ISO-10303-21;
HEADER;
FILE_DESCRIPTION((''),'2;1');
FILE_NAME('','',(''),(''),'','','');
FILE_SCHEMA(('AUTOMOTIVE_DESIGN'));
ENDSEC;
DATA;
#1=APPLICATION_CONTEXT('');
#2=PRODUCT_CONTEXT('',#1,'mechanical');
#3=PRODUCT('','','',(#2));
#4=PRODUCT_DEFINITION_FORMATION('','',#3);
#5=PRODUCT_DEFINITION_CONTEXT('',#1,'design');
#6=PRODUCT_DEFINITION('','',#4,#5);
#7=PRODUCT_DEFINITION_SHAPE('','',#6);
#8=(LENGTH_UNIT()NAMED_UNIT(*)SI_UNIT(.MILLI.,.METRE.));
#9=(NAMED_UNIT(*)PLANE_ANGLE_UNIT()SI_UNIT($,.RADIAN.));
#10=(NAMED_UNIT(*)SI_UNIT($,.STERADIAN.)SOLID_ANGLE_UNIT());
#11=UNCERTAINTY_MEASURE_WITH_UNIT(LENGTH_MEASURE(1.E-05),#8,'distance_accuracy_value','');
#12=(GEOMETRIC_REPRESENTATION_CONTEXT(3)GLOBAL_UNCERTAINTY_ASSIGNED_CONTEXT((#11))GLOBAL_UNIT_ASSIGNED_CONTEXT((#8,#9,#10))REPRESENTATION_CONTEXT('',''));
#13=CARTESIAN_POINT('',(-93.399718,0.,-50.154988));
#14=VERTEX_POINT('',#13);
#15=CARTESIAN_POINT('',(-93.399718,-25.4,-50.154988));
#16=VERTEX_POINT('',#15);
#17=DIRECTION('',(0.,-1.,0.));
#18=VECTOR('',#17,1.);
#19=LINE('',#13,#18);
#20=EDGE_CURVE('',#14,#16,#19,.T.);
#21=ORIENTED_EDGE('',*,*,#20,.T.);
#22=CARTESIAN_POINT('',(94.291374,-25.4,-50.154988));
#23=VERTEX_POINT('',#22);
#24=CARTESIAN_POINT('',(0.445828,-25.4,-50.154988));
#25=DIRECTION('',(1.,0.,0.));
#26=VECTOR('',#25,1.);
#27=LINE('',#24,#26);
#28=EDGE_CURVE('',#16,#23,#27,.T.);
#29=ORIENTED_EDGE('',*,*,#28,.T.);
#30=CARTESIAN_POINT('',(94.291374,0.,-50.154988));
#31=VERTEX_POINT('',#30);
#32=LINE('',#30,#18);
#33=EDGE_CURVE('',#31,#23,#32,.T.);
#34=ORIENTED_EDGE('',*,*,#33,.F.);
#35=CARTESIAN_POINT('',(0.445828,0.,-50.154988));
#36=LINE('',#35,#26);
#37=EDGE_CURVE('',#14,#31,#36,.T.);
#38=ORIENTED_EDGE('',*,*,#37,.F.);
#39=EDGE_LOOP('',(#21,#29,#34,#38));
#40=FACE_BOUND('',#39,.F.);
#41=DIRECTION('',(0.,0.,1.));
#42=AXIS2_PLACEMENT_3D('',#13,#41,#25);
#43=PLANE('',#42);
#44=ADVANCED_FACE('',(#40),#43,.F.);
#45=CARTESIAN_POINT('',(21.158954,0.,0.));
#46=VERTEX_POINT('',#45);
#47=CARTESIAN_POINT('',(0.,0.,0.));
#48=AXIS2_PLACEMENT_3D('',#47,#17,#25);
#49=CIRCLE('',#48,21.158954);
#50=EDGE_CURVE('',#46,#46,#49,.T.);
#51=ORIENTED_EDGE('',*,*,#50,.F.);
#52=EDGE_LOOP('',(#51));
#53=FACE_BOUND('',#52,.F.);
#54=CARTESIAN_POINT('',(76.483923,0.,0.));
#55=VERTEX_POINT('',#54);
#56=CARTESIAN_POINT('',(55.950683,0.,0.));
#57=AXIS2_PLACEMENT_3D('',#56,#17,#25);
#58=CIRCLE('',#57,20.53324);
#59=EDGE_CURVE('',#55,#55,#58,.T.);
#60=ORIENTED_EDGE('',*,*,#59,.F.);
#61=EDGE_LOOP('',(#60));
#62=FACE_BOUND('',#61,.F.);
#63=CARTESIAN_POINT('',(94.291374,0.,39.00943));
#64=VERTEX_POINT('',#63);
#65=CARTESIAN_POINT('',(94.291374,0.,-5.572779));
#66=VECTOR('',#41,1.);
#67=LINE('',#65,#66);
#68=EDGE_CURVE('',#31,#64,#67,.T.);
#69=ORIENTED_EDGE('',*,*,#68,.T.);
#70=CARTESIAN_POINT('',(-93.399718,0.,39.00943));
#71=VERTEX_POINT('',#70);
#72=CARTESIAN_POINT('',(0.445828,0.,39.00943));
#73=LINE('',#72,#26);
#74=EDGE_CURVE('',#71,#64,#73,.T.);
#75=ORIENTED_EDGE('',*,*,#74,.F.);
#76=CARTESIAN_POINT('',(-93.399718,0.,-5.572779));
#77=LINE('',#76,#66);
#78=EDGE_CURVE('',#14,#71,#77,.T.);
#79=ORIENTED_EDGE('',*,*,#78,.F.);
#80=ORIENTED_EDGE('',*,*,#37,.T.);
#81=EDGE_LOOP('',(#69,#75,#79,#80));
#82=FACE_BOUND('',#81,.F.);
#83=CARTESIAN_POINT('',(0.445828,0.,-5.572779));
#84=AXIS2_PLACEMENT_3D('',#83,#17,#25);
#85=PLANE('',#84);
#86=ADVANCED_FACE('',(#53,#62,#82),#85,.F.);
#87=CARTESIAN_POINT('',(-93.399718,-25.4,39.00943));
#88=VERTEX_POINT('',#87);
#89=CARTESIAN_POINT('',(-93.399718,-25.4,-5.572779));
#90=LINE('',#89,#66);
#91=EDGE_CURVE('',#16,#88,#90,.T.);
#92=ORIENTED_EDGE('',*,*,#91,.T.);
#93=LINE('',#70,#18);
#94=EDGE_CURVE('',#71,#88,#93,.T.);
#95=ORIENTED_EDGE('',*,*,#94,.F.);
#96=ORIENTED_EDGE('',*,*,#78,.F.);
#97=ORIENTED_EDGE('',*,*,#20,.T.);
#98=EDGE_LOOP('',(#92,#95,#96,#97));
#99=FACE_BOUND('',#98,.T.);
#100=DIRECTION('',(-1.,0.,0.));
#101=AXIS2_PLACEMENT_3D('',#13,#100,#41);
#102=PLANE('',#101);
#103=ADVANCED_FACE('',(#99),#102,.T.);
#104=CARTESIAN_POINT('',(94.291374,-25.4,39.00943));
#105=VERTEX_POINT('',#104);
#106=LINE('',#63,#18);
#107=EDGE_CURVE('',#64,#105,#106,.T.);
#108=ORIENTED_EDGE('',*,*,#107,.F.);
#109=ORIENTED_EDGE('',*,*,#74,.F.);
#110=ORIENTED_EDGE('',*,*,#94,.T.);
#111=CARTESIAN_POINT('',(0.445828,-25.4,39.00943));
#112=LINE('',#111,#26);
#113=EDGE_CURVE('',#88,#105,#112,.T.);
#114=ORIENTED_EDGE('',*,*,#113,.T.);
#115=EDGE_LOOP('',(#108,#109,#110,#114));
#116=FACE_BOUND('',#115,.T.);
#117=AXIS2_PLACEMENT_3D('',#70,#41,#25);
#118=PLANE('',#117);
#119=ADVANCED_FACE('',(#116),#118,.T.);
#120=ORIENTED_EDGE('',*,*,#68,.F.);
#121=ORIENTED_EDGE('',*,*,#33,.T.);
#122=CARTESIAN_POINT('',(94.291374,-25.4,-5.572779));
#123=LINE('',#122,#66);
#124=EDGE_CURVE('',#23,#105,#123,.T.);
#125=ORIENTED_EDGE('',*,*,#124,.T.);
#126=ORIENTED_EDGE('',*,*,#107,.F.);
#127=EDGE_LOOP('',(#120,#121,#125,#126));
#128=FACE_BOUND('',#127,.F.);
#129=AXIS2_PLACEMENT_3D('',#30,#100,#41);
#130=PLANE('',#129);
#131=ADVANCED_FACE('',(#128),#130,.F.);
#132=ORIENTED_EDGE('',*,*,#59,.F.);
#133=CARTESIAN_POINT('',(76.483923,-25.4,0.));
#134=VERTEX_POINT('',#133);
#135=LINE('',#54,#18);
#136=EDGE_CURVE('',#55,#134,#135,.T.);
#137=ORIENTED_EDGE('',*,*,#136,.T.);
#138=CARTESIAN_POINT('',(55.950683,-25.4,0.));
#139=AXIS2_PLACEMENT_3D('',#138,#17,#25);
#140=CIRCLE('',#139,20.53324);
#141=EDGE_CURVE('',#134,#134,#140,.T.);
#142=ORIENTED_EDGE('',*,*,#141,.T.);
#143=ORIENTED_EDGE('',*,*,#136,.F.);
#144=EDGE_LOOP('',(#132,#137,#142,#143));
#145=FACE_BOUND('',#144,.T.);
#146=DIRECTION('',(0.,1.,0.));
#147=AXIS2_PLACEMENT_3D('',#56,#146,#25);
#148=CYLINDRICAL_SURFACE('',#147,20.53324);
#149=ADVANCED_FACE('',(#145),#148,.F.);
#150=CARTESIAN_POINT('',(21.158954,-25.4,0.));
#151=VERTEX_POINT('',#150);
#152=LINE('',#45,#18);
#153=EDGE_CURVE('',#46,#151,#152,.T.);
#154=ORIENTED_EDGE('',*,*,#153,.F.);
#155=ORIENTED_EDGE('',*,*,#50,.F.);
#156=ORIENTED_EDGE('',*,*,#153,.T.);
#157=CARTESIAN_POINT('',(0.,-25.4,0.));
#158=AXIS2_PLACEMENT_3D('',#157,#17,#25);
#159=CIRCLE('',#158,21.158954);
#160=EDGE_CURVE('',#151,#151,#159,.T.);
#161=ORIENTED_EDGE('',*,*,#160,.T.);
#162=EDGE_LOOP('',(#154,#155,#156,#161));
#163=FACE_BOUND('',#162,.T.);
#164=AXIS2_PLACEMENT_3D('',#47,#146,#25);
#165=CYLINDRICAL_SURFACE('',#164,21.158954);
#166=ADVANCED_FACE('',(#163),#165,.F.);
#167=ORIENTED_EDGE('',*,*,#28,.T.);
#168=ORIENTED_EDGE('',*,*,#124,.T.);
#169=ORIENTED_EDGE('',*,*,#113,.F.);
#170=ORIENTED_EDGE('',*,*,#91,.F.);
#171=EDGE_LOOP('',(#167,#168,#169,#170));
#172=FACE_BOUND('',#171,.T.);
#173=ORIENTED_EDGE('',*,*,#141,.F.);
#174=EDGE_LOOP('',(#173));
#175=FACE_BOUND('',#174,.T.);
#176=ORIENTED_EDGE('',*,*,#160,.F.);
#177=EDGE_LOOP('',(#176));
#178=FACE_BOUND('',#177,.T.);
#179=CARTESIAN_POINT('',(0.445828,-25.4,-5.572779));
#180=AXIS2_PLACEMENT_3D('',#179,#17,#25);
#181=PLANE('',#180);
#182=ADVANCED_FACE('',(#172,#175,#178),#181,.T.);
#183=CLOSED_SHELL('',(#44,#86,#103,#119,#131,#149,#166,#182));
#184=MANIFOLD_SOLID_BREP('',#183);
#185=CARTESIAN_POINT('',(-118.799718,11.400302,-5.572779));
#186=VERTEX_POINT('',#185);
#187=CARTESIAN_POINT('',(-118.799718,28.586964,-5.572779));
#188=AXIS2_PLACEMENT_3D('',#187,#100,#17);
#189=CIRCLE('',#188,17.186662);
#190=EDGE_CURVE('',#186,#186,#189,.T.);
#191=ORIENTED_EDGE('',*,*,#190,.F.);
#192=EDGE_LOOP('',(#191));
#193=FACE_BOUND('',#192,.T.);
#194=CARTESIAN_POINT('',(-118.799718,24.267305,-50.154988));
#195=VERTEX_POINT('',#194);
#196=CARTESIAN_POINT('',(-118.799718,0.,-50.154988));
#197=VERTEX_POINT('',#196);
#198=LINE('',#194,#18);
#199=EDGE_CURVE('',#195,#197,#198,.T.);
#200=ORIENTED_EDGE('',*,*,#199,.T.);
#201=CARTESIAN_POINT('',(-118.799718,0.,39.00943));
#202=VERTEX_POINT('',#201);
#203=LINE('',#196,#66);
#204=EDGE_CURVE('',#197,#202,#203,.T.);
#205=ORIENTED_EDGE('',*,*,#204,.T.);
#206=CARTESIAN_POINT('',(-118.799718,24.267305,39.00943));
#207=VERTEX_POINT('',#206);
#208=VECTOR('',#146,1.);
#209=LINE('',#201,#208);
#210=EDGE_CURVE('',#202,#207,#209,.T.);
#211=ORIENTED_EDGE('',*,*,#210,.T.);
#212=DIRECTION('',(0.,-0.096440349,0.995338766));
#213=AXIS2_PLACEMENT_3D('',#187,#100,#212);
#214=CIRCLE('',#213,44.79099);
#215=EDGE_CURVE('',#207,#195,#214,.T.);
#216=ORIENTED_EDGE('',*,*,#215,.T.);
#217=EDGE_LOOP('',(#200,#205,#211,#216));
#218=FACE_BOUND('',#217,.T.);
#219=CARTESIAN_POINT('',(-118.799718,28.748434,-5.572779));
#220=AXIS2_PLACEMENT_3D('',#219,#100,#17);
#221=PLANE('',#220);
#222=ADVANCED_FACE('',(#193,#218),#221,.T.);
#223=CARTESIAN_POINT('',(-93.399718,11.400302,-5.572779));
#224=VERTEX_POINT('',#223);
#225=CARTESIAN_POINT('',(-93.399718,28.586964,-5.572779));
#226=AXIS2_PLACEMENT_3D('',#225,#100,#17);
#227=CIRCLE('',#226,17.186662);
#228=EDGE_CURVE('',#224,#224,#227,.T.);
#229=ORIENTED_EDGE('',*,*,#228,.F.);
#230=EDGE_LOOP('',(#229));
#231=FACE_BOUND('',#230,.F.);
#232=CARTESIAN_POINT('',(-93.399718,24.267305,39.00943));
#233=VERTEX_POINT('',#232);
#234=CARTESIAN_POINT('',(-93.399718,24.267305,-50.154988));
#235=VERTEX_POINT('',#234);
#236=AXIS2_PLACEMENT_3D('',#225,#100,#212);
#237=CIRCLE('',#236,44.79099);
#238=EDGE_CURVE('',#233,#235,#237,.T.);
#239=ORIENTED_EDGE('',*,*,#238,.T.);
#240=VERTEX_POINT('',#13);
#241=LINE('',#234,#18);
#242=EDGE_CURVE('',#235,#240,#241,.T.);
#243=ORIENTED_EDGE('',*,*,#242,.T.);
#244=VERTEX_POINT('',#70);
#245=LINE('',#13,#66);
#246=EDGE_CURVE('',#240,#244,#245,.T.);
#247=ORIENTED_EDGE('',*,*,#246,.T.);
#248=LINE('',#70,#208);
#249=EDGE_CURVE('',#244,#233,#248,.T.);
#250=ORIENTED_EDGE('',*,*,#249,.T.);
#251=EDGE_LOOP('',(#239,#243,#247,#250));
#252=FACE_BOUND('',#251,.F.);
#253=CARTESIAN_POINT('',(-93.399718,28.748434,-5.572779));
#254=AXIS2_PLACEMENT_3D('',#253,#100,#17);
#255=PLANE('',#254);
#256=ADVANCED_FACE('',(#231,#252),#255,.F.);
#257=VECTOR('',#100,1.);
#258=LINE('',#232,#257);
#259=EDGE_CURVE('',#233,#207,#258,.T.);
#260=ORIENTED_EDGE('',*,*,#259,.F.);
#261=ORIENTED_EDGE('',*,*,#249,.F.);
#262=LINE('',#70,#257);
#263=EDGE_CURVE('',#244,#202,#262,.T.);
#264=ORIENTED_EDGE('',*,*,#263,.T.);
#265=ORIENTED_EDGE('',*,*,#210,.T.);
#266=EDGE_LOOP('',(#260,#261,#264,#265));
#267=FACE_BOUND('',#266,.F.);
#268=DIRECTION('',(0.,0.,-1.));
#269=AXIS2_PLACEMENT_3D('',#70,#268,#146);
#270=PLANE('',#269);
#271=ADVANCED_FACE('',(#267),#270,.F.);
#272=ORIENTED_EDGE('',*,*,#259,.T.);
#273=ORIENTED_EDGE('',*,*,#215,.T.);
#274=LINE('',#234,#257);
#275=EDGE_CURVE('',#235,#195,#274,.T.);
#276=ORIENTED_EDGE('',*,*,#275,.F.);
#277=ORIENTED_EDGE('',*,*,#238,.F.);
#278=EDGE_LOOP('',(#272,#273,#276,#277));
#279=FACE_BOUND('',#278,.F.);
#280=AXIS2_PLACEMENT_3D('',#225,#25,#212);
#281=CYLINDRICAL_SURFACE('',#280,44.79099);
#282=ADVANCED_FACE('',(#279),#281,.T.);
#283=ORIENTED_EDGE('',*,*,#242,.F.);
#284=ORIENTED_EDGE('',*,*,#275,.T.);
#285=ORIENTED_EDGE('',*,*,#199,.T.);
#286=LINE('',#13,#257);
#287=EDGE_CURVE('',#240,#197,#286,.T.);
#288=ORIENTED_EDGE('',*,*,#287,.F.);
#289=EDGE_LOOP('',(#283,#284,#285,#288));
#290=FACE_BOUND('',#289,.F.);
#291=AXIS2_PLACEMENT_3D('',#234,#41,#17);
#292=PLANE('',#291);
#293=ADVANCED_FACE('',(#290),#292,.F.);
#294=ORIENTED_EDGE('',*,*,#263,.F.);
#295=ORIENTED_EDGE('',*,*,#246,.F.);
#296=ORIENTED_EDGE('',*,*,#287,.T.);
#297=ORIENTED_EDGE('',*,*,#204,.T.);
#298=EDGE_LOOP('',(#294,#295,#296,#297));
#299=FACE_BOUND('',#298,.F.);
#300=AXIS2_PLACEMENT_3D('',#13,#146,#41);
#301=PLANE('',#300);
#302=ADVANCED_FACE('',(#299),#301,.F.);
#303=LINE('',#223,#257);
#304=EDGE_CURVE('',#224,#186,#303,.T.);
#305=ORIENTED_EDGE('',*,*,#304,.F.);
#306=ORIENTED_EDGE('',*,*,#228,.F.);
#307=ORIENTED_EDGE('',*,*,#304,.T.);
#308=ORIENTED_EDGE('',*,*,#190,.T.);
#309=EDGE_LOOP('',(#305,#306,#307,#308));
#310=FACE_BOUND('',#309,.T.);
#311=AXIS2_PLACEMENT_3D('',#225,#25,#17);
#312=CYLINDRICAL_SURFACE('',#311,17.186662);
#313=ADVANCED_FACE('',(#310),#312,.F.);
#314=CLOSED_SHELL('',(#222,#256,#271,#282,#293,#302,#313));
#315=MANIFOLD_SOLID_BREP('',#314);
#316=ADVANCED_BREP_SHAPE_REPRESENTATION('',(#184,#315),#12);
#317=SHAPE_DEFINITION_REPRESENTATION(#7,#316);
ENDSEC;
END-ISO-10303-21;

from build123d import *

# Parameters (mm, degrees)
F0_W     = 187.691092
F0_H     = 89.164418
F0_R     = 21.158954
F0_R_2   = 20.53324
F1_DEPTH = 25.4
F2_R     = 17.186662
F3_DEPTH = 25.4


with BuildPart() as f1:
    # F0 (on Front) → F1 (new body)
    with BuildSketch(Plane.XZ):
        with Locations((0.445828, -5.572779)):
            Rectangle(F0_W, F0_H)
        Circle(F0_R, mode=Mode.SUBTRACT)
        with Locations((55.950683, 0)):
            Circle(F0_R_2, mode=Mode.SUBTRACT)
    extrude(amount=F1_DEPTH)


with BuildPart() as f3:
    # F2 (on face) → F3 (new body)
    with BuildSketch(Plane(origin=(-93.399718, 0, 0), x_dir=(0, -1, 0), z_dir=(-1, 0, 0))):
        with BuildLine():
            Line((0, -50.154988), (0, 39.00943))
            Line((0, 39.00943), (-24.267305, 39.00943))
            ThreePointArc((-24.267305, 39.00943), (-73.377954, -5.572779), (-24.267305, -50.154988))
            Line((-24.267305, -50.154988), (0, -50.154988))
        make_face()
        with Locations((-28.586964, -5.572779)):
            Circle(F2_R, mode=Mode.SUBTRACT)
    extrude(amount=F3_DEPTH)


solid = Compound([f1.part, f3.part])
